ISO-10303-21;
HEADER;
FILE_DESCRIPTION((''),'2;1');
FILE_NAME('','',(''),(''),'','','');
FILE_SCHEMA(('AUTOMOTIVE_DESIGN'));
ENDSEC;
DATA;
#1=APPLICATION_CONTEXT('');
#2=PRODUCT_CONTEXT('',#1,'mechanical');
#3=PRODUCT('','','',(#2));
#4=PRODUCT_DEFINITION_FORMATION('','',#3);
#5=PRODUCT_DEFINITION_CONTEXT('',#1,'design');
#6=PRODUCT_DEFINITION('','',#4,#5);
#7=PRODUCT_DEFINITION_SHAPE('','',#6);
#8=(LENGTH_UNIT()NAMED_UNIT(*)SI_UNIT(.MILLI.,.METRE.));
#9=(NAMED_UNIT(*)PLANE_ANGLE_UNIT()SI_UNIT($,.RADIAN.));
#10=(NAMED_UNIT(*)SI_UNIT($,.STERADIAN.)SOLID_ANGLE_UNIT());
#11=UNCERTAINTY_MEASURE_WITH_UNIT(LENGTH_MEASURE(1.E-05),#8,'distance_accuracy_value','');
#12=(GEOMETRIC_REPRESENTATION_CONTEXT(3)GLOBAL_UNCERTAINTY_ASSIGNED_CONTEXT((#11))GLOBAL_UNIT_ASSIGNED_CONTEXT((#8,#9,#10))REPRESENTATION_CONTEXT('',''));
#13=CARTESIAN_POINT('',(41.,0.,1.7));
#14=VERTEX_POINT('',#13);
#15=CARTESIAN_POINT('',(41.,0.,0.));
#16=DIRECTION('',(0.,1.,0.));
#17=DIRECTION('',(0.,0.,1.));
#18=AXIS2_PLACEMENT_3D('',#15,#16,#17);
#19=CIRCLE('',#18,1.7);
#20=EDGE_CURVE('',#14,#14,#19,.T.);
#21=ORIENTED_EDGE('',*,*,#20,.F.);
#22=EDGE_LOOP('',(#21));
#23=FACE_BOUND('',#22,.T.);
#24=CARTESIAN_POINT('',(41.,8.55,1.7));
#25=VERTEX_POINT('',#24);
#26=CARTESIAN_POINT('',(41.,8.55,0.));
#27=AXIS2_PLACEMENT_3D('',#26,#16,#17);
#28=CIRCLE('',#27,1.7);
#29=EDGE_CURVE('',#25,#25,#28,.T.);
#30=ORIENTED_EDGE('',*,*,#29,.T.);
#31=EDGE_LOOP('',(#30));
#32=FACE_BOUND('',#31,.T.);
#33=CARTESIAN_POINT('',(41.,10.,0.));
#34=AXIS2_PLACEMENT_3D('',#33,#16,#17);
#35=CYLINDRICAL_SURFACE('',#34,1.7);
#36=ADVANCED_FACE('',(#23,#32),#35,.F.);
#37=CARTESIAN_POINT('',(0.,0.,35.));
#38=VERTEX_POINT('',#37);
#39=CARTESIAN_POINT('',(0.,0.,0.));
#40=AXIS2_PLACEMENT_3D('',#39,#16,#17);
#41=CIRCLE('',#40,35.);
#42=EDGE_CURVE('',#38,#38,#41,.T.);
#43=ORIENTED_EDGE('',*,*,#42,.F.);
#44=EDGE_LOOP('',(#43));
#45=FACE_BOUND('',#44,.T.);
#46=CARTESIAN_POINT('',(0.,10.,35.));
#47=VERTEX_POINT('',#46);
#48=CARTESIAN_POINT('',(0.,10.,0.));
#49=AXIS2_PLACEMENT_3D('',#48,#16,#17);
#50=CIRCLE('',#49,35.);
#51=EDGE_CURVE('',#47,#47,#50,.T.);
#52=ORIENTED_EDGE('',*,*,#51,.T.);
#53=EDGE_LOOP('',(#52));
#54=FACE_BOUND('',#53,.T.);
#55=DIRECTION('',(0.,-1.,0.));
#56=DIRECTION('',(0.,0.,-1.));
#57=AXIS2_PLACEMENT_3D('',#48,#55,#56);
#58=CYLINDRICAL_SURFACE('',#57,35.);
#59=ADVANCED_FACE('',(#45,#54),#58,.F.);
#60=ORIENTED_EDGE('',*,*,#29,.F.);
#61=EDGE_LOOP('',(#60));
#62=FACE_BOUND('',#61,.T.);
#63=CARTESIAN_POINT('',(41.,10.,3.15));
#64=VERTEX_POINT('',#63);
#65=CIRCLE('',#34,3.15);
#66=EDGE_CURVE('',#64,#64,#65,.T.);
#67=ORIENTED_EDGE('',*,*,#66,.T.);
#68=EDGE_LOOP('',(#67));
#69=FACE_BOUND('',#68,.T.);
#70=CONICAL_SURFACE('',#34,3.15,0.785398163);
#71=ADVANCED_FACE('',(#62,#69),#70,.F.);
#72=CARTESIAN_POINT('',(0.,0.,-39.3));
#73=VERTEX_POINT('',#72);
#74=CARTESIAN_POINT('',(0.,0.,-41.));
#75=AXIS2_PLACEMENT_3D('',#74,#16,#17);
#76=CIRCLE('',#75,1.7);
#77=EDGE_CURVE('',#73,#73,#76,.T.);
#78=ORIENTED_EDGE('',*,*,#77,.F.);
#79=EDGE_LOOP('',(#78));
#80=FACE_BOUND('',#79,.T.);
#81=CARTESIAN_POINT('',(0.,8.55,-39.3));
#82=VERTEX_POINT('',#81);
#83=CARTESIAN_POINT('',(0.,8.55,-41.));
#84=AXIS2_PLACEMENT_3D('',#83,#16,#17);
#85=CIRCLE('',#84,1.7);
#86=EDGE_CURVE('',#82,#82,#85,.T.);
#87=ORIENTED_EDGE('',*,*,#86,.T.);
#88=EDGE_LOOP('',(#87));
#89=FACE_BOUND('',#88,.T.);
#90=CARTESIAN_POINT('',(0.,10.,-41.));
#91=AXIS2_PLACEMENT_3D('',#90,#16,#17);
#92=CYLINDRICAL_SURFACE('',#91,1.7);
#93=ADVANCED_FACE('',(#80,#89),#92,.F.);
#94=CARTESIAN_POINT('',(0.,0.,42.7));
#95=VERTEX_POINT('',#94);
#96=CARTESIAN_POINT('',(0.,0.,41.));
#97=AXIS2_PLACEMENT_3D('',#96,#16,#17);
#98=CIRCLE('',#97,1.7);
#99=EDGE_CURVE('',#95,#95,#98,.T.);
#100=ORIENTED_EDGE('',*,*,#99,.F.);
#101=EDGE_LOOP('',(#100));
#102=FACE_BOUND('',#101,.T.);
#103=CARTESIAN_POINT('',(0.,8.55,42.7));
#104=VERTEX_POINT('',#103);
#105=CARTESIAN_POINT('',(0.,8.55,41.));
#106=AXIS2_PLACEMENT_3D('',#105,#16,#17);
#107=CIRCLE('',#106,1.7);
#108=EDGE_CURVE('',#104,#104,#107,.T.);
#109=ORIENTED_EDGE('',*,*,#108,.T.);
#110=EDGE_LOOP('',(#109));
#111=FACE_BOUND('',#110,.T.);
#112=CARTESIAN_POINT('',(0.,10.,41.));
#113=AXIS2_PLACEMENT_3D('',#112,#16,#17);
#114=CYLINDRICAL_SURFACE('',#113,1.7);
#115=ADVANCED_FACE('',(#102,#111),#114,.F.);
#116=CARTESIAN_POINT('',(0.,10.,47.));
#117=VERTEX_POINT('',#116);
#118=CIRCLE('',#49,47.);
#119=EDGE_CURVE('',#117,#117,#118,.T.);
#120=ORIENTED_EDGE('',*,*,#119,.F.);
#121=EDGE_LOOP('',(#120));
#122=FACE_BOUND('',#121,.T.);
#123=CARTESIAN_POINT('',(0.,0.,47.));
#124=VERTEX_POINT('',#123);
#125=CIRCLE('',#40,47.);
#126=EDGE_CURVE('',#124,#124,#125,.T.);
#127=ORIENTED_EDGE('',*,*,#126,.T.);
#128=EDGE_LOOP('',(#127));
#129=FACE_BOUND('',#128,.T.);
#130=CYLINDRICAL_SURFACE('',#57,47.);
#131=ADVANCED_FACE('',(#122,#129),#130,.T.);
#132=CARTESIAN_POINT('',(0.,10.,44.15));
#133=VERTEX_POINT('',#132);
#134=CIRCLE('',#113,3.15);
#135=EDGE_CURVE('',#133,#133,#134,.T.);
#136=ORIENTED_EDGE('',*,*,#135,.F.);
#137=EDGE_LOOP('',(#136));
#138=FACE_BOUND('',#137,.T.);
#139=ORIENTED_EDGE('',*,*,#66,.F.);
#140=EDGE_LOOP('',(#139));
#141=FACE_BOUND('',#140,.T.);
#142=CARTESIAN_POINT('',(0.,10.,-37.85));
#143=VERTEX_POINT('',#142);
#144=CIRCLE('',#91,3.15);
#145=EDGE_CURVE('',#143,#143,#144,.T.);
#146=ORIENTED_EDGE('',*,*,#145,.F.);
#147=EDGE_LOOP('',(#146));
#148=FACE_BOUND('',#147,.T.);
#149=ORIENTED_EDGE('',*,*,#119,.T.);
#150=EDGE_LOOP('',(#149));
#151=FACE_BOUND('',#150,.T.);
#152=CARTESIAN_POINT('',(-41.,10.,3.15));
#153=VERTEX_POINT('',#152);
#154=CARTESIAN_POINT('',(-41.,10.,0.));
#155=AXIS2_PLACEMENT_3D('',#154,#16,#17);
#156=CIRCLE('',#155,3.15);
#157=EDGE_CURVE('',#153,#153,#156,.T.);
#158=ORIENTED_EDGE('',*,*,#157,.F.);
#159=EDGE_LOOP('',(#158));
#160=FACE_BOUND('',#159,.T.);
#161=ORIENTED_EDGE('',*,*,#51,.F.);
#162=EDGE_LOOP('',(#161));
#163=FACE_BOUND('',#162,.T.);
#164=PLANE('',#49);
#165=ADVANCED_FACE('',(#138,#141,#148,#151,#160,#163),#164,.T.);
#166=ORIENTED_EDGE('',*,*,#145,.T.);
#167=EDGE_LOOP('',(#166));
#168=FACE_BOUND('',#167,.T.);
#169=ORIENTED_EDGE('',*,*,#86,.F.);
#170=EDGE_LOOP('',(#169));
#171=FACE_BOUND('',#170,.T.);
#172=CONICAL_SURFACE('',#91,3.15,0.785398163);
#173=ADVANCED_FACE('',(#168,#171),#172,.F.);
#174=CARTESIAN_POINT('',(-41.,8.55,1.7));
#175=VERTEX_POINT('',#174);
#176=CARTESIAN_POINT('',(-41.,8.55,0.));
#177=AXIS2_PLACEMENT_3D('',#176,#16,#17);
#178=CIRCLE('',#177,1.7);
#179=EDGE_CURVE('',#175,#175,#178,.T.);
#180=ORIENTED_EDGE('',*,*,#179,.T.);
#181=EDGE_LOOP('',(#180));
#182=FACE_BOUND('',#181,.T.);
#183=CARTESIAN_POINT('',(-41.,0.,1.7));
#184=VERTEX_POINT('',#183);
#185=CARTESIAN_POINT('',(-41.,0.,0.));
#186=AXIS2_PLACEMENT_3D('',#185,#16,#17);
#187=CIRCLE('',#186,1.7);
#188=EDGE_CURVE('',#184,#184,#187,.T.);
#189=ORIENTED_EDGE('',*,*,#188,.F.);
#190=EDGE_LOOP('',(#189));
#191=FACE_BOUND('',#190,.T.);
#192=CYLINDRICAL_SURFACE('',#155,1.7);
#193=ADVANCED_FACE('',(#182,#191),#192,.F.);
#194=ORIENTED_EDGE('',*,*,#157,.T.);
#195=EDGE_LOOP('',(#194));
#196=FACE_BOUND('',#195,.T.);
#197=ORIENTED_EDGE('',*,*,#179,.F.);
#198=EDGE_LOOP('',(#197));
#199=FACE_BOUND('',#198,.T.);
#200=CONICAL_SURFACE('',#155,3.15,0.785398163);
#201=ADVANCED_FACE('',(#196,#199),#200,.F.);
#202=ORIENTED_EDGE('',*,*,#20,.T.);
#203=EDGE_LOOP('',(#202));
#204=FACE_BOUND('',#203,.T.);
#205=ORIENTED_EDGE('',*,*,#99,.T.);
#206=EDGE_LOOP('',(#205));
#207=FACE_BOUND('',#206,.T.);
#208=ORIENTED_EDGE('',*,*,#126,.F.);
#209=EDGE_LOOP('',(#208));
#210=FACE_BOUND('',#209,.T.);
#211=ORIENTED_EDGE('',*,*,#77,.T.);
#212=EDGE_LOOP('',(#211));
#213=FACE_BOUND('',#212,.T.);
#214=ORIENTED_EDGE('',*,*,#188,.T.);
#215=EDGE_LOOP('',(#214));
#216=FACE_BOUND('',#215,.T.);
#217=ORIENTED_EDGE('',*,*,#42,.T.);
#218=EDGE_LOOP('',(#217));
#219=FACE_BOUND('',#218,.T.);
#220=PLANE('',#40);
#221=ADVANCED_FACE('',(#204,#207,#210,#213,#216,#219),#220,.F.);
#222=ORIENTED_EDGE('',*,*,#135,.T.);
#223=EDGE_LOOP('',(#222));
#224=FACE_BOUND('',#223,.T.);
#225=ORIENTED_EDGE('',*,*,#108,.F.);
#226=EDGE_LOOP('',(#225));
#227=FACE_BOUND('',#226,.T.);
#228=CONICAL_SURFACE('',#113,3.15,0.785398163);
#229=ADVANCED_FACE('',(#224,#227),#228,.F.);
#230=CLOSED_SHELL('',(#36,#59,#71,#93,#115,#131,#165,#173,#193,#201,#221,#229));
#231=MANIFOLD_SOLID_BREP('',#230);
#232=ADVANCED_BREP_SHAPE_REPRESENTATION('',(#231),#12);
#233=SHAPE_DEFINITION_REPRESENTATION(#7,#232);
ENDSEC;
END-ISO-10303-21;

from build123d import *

# Parameters (mm, degrees)
SCHIZZO1_R                             = 47
SCHIZZO1_R_2                           = 35
ESTRUSIONE_ESTRUSIONE1_DEPTH           = 10
FORO_SVASATO_PER_VITE_M3_1_D           = 3.4
FORO_SVASATO_PER_VITE_M3_1_DEPTH       = 188
FORO_SVASATO_PER_VITE_M3_1_CSINK_D     = 6.3
FORO_SVASATO_PER_VITE_M3_1_CSINK_ANGLE = 90
FORO_SVASATO_PER_VITE_M3_1_TIP         = 1.021463052


with BuildPart() as part:
    # Schizzo1 → Estrusione-Estrusione1 (new body)
    with BuildSketch(Plane(origin=(0, 0, 0), x_dir=(1, 0, 0), z_dir=(0, 1, 0))):
        with Locations(Location((0, 0, 0), (0, 0, 270))):
            Circle(SCHIZZO1_R)
        with Locations(Location((0, 0, 0), (0, 0, 270))):
            Circle(SCHIZZO1_R_2, mode=Mode.SUBTRACT)
    extrude(amount=ESTRUSIONE_ESTRUSIONE1_DEPTH)

    # Foro svasato per Vite M3-1
    with Locations(Plane(origin=(-41, 10, 0), x_dir=(0, 0, 1), z_dir=(0, 1, 0))):
        with Locations((0, 0), (0, 82), (41, 41), (-41, 41)):
            CounterSinkHole(FORO_SVASATO_PER_VITE_M3_1_D / 2, FORO_SVASATO_PER_VITE_M3_1_CSINK_D / 2, depth=FORO_SVASATO_PER_VITE_M3_1_DEPTH, counter_sink_angle=FORO_SVASATO_PER_VITE_M3_1_CSINK_ANGLE)
            with Locations((0, 0, -(FORO_SVASATO_PER_VITE_M3_1_DEPTH + FORO_SVASATO_PER_VITE_M3_1_TIP / 2))):  # 118° drill point
                Cone(0, FORO_SVASATO_PER_VITE_M3_1_D / 2, FORO_SVASATO_PER_VITE_M3_1_TIP, mode=Mode.SUBTRACT)


solid = part.part
